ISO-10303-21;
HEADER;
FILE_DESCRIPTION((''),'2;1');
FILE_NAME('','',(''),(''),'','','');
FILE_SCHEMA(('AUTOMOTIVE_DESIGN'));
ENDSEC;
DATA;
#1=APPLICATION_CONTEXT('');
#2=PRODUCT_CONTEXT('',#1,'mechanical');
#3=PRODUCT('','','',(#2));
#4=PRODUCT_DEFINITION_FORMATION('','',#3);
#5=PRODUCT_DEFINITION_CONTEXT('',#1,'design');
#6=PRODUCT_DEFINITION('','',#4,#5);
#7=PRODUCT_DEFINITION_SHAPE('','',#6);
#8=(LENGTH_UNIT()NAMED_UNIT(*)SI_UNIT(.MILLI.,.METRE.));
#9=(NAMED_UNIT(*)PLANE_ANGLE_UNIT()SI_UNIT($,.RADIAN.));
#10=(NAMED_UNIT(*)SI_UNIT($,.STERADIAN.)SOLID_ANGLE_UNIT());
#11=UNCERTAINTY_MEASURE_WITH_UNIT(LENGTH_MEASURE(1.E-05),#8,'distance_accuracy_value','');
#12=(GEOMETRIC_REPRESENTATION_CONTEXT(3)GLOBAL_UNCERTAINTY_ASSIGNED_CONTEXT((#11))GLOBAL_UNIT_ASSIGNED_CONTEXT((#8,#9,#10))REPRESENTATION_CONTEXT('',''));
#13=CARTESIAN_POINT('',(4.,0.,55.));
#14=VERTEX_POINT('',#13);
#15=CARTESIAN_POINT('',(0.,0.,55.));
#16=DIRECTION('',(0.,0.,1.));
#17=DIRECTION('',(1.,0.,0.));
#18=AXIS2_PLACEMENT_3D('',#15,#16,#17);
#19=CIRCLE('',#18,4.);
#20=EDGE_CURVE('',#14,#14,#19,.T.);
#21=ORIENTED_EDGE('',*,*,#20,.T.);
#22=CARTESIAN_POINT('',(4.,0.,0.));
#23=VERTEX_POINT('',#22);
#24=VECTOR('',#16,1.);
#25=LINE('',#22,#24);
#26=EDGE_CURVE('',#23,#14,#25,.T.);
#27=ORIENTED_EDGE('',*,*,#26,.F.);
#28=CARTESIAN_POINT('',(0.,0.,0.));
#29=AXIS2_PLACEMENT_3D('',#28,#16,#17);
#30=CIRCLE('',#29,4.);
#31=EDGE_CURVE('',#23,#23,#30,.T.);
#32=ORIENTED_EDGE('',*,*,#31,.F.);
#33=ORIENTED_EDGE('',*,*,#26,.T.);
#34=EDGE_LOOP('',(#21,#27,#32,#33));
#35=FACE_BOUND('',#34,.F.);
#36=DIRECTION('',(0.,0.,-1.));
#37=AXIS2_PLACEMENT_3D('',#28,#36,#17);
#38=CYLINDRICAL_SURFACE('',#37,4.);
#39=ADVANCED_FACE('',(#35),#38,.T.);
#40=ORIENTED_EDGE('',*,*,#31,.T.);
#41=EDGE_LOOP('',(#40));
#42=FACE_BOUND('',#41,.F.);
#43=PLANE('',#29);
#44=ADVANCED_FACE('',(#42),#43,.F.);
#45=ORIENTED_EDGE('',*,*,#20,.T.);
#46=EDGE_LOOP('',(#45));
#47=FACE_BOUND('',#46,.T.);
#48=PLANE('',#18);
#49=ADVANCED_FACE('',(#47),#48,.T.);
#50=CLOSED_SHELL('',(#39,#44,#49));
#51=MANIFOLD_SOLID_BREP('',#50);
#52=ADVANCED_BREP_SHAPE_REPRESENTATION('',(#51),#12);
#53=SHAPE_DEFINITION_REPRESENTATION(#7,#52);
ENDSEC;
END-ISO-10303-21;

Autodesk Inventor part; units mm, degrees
ref_plane "YZ Plane" through (0, 0, 0) normal (1, 0, 0) x (0, 1, 0)
ref_plane "XZ Plane" through (0, 0, 0) normal (0, 1, 0) x (-1, 0, 0)
ref_plane "XY Plane" through (0, 0, 0) normal (0, 0, 1) x (1, 0, 0)
sketch "Sketch1" plane through (0, 0, 0) normal (0, 0, 1) x (1, 0, 0)
  circle A0 centre (0, 0) radius 4
  dimension "d0" = 8
extrude "Extrusion1" add sketch "Sketch1" along normal blind 55
properties part number "Neck support rod_3DPrint"
